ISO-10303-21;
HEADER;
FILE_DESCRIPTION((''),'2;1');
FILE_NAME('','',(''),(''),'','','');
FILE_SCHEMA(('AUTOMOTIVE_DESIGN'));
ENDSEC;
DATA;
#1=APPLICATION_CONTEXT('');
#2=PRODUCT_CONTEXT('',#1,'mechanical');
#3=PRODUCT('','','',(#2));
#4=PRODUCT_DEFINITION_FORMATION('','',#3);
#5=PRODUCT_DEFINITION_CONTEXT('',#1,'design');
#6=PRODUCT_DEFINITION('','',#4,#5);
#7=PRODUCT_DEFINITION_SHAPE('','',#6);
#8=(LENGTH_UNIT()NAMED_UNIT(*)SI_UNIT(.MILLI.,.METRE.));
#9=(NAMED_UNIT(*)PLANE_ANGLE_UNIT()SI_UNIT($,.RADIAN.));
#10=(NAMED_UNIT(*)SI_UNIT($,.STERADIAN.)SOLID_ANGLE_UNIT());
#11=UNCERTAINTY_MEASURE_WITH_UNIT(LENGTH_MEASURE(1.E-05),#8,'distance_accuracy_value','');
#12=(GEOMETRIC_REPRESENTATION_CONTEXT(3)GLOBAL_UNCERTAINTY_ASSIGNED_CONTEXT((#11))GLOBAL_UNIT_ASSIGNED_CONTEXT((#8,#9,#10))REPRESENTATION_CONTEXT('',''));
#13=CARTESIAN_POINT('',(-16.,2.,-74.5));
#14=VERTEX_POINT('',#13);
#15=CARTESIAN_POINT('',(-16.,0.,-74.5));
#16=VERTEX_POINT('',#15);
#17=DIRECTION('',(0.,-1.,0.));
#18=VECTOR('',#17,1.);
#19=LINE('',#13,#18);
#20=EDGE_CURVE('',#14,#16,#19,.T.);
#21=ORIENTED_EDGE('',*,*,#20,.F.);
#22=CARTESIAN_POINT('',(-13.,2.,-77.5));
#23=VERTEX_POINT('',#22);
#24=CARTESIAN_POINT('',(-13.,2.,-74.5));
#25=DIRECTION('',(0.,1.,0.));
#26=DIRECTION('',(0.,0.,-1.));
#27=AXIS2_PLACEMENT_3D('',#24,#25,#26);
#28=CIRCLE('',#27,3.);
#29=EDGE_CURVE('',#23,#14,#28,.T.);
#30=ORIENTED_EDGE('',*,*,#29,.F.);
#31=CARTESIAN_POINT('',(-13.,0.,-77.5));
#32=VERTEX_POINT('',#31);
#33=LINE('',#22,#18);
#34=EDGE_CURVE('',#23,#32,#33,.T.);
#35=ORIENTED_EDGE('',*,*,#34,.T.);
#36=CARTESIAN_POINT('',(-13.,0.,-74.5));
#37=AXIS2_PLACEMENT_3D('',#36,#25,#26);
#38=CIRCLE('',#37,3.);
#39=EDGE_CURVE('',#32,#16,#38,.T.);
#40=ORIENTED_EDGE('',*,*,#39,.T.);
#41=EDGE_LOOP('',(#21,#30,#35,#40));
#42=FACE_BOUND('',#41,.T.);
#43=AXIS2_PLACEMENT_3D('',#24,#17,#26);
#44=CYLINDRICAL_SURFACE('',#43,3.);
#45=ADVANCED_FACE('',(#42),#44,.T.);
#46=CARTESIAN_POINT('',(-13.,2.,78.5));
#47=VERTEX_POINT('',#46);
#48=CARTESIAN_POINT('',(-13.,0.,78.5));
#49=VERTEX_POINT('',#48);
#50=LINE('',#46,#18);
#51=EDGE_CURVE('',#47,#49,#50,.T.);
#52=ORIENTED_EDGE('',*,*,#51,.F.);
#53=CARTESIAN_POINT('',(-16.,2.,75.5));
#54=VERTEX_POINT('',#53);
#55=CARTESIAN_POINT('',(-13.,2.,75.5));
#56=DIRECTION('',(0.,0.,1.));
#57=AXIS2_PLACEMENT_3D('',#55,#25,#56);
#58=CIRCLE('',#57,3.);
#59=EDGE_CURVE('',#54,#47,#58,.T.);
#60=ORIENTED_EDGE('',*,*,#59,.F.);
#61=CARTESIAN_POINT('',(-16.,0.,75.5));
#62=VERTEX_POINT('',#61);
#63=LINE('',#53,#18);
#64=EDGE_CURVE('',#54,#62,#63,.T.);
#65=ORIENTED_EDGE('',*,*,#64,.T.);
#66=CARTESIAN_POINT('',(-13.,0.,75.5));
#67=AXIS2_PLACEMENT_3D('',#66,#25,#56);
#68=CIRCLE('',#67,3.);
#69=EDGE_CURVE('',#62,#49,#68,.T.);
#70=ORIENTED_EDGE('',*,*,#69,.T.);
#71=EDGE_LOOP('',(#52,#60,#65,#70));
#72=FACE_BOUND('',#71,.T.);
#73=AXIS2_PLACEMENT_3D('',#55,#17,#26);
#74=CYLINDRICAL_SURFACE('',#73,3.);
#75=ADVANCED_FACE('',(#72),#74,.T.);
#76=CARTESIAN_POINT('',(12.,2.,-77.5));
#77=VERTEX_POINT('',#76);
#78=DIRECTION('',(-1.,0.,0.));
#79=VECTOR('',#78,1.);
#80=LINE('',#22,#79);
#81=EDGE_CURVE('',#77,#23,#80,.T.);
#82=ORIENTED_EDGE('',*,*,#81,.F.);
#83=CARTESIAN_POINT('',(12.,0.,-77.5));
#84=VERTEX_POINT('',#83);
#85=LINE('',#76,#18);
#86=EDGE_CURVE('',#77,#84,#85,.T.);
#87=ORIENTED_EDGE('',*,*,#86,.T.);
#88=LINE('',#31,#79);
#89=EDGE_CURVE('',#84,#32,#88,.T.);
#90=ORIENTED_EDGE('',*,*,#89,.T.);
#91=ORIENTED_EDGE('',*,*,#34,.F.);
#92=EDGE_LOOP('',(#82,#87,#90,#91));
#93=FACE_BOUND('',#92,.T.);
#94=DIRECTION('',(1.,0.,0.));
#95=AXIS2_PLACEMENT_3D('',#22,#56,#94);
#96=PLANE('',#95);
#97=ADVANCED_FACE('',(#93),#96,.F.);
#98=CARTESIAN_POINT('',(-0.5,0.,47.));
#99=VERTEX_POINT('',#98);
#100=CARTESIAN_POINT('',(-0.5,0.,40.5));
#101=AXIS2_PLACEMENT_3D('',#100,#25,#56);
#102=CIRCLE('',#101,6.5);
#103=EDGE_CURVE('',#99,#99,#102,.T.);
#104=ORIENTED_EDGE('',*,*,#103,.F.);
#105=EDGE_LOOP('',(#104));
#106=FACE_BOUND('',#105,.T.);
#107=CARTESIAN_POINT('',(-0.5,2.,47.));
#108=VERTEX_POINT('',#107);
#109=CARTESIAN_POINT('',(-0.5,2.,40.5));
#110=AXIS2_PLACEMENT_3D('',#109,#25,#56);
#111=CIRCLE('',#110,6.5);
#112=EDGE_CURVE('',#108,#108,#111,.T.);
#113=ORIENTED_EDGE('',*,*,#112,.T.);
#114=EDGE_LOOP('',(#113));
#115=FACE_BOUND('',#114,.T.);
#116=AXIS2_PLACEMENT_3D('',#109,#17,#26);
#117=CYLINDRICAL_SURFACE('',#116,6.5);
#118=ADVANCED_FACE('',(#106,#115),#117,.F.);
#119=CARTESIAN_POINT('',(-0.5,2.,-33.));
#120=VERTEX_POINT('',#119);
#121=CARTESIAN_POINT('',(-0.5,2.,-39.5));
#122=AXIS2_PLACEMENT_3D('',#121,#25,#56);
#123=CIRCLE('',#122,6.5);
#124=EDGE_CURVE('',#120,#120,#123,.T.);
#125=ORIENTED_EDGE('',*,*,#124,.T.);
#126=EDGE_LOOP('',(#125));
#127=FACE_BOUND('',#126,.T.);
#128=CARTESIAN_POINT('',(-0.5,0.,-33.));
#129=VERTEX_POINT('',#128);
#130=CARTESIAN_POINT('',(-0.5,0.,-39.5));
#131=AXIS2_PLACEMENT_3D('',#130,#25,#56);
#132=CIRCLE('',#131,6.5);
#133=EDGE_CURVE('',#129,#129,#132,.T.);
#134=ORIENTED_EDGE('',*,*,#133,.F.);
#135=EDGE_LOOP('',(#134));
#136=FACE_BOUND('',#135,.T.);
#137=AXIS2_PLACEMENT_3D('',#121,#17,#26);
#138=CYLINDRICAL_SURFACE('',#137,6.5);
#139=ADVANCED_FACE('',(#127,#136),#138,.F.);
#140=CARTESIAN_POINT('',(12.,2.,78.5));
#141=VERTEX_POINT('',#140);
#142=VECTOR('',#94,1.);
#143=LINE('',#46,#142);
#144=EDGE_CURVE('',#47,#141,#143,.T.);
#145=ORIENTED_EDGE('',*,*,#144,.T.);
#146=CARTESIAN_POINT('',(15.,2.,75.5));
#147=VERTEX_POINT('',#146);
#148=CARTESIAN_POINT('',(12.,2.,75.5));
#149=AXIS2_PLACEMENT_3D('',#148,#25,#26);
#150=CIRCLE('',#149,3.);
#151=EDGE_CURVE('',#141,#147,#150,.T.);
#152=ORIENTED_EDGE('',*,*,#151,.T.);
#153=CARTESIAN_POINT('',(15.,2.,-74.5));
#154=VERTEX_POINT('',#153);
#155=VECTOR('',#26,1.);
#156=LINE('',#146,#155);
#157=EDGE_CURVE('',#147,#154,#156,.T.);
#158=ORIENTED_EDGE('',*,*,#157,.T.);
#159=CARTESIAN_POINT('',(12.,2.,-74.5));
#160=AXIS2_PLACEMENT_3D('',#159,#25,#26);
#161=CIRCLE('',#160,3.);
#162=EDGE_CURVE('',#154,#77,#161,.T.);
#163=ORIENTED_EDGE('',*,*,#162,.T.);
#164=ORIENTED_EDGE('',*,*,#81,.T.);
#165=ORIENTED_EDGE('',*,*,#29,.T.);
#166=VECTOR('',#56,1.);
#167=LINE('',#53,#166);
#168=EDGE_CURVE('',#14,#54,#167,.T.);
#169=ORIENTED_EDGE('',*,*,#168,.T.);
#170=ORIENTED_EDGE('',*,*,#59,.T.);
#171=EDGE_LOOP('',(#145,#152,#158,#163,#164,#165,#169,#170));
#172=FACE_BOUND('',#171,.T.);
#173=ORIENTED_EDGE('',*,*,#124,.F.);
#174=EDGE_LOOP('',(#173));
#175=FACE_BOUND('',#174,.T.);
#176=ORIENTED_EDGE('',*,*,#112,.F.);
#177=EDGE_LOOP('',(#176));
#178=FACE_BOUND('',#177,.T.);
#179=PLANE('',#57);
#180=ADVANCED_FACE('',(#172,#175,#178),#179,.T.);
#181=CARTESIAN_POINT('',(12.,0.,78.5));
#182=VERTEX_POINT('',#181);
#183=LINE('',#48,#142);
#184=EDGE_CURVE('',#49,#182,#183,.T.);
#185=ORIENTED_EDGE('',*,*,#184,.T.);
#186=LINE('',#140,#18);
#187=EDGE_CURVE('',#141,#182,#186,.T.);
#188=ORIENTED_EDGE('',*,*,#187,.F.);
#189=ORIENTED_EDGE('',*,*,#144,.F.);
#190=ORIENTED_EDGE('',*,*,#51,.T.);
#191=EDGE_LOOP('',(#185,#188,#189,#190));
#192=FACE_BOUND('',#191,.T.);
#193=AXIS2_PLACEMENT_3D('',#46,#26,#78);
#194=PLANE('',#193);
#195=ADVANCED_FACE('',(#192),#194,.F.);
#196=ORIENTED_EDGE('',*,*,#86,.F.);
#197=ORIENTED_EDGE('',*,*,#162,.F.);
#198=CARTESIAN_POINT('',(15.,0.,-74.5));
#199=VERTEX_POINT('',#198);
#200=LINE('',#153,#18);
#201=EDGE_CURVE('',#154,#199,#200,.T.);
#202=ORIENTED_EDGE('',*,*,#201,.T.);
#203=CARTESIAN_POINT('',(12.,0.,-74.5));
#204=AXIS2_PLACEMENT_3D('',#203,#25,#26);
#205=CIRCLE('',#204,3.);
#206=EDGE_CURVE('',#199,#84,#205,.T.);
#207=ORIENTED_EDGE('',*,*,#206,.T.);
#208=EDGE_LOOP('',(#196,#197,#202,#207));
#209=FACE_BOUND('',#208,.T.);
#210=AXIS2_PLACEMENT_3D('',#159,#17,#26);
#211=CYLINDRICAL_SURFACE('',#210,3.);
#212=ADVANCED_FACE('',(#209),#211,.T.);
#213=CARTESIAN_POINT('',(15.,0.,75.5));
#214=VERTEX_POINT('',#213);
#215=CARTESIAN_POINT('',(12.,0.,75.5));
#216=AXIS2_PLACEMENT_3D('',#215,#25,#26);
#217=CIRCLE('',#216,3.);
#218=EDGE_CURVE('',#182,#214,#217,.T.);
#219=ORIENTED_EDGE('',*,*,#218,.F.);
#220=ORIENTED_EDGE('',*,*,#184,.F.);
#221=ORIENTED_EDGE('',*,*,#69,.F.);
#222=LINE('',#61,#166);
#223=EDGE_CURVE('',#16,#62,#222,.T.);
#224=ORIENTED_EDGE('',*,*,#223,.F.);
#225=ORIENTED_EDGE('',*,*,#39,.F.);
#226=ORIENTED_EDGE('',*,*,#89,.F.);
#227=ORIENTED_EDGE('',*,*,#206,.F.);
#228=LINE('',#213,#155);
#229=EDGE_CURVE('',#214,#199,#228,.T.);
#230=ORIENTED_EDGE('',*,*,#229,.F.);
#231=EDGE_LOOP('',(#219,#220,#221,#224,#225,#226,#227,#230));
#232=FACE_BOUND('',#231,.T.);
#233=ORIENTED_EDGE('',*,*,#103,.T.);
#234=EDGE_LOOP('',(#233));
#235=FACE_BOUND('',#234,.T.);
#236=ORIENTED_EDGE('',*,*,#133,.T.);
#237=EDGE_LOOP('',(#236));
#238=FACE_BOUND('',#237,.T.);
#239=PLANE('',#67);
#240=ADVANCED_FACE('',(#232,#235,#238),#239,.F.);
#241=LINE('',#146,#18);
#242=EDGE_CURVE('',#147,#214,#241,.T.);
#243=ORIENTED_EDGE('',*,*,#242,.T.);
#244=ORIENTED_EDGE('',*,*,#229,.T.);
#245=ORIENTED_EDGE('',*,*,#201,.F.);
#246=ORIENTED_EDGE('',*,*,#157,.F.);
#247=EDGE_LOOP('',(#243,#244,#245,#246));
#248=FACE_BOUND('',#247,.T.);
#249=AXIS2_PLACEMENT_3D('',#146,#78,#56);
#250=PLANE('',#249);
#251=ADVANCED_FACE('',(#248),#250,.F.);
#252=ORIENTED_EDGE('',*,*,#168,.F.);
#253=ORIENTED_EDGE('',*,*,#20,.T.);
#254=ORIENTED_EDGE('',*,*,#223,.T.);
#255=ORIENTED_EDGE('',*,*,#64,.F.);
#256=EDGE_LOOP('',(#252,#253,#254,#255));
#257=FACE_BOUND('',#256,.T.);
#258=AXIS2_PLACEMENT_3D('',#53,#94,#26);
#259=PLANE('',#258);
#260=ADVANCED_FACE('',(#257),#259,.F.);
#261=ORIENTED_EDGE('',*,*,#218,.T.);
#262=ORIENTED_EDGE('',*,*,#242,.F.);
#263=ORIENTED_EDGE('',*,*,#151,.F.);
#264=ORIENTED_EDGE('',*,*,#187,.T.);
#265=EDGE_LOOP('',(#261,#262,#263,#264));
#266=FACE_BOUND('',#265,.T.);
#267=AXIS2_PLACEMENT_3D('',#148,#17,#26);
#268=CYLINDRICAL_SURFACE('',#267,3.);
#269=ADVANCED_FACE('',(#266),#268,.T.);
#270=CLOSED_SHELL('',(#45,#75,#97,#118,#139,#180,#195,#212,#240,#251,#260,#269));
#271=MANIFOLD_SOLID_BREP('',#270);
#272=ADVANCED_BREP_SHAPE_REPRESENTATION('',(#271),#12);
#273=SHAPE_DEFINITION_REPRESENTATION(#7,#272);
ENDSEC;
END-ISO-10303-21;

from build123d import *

# Parameters (mm, degrees)
SKETCH1_R           = 6.5
BOSS_EXTRUDE1_DEPTH = 2


with BuildPart() as part:
    # Sketch1 → Boss-Extrude1 (new body)
    with BuildSketch(Plane(origin=(0, 0, 0), x_dir=(1, 0, 0), z_dir=(0, 1, 0))):
        with BuildLine():
            Line((-16, -75.5), (-16, 74.5))
            ThreePointArc((-16, 74.5), (-15.121320344, 76.621320344), (-13, 77.5))
            Line((-13, 77.5), (12, 77.5))
            ThreePointArc((12, 77.5), (14.121320344, 76.621320344), (15, 74.5))
            Line((15, 74.5), (15, -75.5))
            ThreePointArc((15, -75.5), (14.121320344, -77.621320344), (12, -78.5))
            Line((12, -78.5), (-13, -78.5))
            ThreePointArc((-13, -78.5), (-15.121320344, -77.621320344), (-16, -75.5))
        make_face()
        with Locations(Location((-0.5, 39.5, 0), (0, 0, 270))):
            Circle(SKETCH1_R, mode=Mode.SUBTRACT)
        with Locations(Location((-0.5, -40.5, 0), (0, 0, 270))):
            Circle(SKETCH1_R, mode=Mode.SUBTRACT)
    extrude(amount=BOSS_EXTRUDE1_DEPTH)


solid = part.part
